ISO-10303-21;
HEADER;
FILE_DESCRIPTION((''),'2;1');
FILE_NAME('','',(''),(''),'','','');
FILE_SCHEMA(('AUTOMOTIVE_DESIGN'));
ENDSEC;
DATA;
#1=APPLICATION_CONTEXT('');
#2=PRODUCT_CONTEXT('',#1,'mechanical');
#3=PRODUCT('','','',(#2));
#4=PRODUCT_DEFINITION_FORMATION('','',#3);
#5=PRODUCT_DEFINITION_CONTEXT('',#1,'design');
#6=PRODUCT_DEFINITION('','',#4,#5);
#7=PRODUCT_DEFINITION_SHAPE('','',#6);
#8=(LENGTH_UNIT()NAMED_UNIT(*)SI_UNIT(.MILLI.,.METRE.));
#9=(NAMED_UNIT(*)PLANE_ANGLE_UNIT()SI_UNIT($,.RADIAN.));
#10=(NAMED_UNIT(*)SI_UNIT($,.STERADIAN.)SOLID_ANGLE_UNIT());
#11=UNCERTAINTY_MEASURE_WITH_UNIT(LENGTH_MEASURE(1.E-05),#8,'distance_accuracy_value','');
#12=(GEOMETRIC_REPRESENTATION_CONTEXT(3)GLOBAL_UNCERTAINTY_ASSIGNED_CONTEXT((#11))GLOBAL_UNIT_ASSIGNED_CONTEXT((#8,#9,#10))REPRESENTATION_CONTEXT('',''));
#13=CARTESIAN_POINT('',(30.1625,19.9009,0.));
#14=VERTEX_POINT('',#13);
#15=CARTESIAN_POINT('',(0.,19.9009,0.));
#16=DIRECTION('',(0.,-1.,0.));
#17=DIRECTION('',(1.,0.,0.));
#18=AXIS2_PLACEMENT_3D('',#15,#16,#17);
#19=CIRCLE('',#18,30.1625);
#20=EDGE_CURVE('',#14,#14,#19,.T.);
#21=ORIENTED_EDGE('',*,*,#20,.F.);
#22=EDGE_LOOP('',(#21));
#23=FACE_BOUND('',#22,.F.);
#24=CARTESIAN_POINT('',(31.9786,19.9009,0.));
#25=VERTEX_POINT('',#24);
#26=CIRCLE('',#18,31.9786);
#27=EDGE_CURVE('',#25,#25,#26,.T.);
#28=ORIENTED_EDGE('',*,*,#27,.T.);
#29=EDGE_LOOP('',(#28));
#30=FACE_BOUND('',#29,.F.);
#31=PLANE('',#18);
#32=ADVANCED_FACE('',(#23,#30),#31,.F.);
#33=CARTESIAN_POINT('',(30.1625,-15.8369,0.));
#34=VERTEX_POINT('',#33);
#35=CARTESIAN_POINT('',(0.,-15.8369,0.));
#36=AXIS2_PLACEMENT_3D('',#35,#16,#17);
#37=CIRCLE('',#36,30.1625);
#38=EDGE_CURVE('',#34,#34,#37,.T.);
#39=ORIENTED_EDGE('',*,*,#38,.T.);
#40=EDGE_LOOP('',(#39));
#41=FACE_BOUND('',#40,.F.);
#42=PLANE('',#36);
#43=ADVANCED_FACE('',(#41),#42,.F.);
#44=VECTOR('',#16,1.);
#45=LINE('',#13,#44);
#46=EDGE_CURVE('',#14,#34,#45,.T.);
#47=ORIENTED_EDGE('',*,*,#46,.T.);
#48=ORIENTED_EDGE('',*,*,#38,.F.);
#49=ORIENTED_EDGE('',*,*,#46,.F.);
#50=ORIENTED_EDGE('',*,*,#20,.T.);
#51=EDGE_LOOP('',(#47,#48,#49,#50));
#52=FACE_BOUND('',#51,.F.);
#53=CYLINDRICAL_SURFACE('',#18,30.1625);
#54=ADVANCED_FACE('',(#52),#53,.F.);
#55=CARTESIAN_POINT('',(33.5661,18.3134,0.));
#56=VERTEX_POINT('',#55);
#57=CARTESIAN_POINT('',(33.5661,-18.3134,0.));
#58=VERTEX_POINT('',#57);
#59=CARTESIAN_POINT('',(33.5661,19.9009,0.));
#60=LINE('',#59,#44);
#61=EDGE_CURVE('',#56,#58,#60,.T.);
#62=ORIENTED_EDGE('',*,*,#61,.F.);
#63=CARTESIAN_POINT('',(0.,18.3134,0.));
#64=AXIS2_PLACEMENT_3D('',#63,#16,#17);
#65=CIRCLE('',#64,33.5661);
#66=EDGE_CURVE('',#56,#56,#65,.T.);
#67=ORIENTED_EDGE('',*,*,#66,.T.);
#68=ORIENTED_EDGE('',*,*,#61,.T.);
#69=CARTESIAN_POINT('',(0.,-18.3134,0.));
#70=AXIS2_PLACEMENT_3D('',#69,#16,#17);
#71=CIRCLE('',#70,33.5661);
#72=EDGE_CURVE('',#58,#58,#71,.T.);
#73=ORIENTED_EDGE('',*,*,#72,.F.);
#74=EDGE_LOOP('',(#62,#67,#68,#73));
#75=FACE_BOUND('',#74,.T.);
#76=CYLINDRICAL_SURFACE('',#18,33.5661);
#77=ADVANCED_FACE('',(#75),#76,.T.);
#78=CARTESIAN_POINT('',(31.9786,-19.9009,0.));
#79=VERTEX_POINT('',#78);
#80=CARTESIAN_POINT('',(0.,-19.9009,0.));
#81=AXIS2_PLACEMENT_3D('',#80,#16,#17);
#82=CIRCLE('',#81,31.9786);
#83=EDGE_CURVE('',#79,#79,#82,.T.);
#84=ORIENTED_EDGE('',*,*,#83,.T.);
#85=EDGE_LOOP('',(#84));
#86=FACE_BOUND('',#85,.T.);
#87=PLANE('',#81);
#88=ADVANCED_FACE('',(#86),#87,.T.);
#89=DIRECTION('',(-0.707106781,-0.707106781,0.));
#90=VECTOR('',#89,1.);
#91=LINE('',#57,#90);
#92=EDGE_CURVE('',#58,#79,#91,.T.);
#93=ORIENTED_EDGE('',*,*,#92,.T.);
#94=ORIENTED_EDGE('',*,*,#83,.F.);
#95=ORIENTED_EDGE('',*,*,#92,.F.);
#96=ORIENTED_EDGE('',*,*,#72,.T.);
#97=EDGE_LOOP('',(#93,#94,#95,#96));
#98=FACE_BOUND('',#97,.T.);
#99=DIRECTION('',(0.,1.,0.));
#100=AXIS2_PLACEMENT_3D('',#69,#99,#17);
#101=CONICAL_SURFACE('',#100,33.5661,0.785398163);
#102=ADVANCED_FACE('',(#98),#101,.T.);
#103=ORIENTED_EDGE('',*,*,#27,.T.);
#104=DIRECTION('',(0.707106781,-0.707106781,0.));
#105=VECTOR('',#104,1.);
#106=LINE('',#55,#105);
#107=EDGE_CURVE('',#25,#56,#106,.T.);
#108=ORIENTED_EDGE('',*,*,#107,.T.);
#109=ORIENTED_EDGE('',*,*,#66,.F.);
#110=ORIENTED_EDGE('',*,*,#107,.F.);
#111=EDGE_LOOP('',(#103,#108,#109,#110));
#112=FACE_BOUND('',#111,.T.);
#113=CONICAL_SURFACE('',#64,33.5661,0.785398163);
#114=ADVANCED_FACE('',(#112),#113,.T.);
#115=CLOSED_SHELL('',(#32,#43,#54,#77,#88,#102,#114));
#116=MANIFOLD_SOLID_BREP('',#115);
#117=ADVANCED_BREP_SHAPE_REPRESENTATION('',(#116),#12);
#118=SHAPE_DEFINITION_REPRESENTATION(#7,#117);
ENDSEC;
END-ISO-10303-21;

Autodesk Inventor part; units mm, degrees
ref_plane "YZ Plane" through (0, 0, 0) normal (1, 0, 0) x (0, 1, 0)
ref_plane "XZ Plane" through (0, 0, 0) normal (0, 1, 0) x (-1, 0, 0)
ref_plane "XY Plane" through (0, 0, 0) normal (0, 0, 1) x (1, 0, 0)
sketch "Sketch1" plane through (0, 0, 0) normal (0, 0, 1) x (1, 0, 0)
  line L0 (0, 19.9009) -> (0, -19.9009)
  line L1 (33.5661, 19.9009) -> (33.5661, -19.9009)
  line L2 (33.5661, -19.9009) -> (0, -19.9009)
  line L3 (33.5661, 19.9009) -> (30.1625, 19.9009)
  line L4 (30.1625, 19.9009) -> (30.1625, -15.8369)
  line L5 (30.1625, -15.8369) -> (0, -15.8369)
  point P0 (0, 0)
  dimension "d0" = 39.8018
  dimension "d1" = 19.9009
  dimension "d2" = 39.8018
  dimension "d3" = 19.9009
  dimension "d4" = 67.1322
  dimension "d5" = 60.325
  dimension "d7" = 35.7378
revolve "Revolution1" add sketch "Sketch1" angle 360 about axis through (0, 19.9009, 0) along (0, -1, 0)
chamfer "Chamfer1" distance 1.5875 angle 45 2 edges at (-33.5661, 19.9009, 0) (-33.5661, -19.9009, 0)
equation "\"d0\" = d2"
equation "\"d1\" = 0.5 * d0"
equation "\"d3\" = 0.5 * d2"
properties part number "Flat Cap External 2 IN" material "PVC-Piping"
